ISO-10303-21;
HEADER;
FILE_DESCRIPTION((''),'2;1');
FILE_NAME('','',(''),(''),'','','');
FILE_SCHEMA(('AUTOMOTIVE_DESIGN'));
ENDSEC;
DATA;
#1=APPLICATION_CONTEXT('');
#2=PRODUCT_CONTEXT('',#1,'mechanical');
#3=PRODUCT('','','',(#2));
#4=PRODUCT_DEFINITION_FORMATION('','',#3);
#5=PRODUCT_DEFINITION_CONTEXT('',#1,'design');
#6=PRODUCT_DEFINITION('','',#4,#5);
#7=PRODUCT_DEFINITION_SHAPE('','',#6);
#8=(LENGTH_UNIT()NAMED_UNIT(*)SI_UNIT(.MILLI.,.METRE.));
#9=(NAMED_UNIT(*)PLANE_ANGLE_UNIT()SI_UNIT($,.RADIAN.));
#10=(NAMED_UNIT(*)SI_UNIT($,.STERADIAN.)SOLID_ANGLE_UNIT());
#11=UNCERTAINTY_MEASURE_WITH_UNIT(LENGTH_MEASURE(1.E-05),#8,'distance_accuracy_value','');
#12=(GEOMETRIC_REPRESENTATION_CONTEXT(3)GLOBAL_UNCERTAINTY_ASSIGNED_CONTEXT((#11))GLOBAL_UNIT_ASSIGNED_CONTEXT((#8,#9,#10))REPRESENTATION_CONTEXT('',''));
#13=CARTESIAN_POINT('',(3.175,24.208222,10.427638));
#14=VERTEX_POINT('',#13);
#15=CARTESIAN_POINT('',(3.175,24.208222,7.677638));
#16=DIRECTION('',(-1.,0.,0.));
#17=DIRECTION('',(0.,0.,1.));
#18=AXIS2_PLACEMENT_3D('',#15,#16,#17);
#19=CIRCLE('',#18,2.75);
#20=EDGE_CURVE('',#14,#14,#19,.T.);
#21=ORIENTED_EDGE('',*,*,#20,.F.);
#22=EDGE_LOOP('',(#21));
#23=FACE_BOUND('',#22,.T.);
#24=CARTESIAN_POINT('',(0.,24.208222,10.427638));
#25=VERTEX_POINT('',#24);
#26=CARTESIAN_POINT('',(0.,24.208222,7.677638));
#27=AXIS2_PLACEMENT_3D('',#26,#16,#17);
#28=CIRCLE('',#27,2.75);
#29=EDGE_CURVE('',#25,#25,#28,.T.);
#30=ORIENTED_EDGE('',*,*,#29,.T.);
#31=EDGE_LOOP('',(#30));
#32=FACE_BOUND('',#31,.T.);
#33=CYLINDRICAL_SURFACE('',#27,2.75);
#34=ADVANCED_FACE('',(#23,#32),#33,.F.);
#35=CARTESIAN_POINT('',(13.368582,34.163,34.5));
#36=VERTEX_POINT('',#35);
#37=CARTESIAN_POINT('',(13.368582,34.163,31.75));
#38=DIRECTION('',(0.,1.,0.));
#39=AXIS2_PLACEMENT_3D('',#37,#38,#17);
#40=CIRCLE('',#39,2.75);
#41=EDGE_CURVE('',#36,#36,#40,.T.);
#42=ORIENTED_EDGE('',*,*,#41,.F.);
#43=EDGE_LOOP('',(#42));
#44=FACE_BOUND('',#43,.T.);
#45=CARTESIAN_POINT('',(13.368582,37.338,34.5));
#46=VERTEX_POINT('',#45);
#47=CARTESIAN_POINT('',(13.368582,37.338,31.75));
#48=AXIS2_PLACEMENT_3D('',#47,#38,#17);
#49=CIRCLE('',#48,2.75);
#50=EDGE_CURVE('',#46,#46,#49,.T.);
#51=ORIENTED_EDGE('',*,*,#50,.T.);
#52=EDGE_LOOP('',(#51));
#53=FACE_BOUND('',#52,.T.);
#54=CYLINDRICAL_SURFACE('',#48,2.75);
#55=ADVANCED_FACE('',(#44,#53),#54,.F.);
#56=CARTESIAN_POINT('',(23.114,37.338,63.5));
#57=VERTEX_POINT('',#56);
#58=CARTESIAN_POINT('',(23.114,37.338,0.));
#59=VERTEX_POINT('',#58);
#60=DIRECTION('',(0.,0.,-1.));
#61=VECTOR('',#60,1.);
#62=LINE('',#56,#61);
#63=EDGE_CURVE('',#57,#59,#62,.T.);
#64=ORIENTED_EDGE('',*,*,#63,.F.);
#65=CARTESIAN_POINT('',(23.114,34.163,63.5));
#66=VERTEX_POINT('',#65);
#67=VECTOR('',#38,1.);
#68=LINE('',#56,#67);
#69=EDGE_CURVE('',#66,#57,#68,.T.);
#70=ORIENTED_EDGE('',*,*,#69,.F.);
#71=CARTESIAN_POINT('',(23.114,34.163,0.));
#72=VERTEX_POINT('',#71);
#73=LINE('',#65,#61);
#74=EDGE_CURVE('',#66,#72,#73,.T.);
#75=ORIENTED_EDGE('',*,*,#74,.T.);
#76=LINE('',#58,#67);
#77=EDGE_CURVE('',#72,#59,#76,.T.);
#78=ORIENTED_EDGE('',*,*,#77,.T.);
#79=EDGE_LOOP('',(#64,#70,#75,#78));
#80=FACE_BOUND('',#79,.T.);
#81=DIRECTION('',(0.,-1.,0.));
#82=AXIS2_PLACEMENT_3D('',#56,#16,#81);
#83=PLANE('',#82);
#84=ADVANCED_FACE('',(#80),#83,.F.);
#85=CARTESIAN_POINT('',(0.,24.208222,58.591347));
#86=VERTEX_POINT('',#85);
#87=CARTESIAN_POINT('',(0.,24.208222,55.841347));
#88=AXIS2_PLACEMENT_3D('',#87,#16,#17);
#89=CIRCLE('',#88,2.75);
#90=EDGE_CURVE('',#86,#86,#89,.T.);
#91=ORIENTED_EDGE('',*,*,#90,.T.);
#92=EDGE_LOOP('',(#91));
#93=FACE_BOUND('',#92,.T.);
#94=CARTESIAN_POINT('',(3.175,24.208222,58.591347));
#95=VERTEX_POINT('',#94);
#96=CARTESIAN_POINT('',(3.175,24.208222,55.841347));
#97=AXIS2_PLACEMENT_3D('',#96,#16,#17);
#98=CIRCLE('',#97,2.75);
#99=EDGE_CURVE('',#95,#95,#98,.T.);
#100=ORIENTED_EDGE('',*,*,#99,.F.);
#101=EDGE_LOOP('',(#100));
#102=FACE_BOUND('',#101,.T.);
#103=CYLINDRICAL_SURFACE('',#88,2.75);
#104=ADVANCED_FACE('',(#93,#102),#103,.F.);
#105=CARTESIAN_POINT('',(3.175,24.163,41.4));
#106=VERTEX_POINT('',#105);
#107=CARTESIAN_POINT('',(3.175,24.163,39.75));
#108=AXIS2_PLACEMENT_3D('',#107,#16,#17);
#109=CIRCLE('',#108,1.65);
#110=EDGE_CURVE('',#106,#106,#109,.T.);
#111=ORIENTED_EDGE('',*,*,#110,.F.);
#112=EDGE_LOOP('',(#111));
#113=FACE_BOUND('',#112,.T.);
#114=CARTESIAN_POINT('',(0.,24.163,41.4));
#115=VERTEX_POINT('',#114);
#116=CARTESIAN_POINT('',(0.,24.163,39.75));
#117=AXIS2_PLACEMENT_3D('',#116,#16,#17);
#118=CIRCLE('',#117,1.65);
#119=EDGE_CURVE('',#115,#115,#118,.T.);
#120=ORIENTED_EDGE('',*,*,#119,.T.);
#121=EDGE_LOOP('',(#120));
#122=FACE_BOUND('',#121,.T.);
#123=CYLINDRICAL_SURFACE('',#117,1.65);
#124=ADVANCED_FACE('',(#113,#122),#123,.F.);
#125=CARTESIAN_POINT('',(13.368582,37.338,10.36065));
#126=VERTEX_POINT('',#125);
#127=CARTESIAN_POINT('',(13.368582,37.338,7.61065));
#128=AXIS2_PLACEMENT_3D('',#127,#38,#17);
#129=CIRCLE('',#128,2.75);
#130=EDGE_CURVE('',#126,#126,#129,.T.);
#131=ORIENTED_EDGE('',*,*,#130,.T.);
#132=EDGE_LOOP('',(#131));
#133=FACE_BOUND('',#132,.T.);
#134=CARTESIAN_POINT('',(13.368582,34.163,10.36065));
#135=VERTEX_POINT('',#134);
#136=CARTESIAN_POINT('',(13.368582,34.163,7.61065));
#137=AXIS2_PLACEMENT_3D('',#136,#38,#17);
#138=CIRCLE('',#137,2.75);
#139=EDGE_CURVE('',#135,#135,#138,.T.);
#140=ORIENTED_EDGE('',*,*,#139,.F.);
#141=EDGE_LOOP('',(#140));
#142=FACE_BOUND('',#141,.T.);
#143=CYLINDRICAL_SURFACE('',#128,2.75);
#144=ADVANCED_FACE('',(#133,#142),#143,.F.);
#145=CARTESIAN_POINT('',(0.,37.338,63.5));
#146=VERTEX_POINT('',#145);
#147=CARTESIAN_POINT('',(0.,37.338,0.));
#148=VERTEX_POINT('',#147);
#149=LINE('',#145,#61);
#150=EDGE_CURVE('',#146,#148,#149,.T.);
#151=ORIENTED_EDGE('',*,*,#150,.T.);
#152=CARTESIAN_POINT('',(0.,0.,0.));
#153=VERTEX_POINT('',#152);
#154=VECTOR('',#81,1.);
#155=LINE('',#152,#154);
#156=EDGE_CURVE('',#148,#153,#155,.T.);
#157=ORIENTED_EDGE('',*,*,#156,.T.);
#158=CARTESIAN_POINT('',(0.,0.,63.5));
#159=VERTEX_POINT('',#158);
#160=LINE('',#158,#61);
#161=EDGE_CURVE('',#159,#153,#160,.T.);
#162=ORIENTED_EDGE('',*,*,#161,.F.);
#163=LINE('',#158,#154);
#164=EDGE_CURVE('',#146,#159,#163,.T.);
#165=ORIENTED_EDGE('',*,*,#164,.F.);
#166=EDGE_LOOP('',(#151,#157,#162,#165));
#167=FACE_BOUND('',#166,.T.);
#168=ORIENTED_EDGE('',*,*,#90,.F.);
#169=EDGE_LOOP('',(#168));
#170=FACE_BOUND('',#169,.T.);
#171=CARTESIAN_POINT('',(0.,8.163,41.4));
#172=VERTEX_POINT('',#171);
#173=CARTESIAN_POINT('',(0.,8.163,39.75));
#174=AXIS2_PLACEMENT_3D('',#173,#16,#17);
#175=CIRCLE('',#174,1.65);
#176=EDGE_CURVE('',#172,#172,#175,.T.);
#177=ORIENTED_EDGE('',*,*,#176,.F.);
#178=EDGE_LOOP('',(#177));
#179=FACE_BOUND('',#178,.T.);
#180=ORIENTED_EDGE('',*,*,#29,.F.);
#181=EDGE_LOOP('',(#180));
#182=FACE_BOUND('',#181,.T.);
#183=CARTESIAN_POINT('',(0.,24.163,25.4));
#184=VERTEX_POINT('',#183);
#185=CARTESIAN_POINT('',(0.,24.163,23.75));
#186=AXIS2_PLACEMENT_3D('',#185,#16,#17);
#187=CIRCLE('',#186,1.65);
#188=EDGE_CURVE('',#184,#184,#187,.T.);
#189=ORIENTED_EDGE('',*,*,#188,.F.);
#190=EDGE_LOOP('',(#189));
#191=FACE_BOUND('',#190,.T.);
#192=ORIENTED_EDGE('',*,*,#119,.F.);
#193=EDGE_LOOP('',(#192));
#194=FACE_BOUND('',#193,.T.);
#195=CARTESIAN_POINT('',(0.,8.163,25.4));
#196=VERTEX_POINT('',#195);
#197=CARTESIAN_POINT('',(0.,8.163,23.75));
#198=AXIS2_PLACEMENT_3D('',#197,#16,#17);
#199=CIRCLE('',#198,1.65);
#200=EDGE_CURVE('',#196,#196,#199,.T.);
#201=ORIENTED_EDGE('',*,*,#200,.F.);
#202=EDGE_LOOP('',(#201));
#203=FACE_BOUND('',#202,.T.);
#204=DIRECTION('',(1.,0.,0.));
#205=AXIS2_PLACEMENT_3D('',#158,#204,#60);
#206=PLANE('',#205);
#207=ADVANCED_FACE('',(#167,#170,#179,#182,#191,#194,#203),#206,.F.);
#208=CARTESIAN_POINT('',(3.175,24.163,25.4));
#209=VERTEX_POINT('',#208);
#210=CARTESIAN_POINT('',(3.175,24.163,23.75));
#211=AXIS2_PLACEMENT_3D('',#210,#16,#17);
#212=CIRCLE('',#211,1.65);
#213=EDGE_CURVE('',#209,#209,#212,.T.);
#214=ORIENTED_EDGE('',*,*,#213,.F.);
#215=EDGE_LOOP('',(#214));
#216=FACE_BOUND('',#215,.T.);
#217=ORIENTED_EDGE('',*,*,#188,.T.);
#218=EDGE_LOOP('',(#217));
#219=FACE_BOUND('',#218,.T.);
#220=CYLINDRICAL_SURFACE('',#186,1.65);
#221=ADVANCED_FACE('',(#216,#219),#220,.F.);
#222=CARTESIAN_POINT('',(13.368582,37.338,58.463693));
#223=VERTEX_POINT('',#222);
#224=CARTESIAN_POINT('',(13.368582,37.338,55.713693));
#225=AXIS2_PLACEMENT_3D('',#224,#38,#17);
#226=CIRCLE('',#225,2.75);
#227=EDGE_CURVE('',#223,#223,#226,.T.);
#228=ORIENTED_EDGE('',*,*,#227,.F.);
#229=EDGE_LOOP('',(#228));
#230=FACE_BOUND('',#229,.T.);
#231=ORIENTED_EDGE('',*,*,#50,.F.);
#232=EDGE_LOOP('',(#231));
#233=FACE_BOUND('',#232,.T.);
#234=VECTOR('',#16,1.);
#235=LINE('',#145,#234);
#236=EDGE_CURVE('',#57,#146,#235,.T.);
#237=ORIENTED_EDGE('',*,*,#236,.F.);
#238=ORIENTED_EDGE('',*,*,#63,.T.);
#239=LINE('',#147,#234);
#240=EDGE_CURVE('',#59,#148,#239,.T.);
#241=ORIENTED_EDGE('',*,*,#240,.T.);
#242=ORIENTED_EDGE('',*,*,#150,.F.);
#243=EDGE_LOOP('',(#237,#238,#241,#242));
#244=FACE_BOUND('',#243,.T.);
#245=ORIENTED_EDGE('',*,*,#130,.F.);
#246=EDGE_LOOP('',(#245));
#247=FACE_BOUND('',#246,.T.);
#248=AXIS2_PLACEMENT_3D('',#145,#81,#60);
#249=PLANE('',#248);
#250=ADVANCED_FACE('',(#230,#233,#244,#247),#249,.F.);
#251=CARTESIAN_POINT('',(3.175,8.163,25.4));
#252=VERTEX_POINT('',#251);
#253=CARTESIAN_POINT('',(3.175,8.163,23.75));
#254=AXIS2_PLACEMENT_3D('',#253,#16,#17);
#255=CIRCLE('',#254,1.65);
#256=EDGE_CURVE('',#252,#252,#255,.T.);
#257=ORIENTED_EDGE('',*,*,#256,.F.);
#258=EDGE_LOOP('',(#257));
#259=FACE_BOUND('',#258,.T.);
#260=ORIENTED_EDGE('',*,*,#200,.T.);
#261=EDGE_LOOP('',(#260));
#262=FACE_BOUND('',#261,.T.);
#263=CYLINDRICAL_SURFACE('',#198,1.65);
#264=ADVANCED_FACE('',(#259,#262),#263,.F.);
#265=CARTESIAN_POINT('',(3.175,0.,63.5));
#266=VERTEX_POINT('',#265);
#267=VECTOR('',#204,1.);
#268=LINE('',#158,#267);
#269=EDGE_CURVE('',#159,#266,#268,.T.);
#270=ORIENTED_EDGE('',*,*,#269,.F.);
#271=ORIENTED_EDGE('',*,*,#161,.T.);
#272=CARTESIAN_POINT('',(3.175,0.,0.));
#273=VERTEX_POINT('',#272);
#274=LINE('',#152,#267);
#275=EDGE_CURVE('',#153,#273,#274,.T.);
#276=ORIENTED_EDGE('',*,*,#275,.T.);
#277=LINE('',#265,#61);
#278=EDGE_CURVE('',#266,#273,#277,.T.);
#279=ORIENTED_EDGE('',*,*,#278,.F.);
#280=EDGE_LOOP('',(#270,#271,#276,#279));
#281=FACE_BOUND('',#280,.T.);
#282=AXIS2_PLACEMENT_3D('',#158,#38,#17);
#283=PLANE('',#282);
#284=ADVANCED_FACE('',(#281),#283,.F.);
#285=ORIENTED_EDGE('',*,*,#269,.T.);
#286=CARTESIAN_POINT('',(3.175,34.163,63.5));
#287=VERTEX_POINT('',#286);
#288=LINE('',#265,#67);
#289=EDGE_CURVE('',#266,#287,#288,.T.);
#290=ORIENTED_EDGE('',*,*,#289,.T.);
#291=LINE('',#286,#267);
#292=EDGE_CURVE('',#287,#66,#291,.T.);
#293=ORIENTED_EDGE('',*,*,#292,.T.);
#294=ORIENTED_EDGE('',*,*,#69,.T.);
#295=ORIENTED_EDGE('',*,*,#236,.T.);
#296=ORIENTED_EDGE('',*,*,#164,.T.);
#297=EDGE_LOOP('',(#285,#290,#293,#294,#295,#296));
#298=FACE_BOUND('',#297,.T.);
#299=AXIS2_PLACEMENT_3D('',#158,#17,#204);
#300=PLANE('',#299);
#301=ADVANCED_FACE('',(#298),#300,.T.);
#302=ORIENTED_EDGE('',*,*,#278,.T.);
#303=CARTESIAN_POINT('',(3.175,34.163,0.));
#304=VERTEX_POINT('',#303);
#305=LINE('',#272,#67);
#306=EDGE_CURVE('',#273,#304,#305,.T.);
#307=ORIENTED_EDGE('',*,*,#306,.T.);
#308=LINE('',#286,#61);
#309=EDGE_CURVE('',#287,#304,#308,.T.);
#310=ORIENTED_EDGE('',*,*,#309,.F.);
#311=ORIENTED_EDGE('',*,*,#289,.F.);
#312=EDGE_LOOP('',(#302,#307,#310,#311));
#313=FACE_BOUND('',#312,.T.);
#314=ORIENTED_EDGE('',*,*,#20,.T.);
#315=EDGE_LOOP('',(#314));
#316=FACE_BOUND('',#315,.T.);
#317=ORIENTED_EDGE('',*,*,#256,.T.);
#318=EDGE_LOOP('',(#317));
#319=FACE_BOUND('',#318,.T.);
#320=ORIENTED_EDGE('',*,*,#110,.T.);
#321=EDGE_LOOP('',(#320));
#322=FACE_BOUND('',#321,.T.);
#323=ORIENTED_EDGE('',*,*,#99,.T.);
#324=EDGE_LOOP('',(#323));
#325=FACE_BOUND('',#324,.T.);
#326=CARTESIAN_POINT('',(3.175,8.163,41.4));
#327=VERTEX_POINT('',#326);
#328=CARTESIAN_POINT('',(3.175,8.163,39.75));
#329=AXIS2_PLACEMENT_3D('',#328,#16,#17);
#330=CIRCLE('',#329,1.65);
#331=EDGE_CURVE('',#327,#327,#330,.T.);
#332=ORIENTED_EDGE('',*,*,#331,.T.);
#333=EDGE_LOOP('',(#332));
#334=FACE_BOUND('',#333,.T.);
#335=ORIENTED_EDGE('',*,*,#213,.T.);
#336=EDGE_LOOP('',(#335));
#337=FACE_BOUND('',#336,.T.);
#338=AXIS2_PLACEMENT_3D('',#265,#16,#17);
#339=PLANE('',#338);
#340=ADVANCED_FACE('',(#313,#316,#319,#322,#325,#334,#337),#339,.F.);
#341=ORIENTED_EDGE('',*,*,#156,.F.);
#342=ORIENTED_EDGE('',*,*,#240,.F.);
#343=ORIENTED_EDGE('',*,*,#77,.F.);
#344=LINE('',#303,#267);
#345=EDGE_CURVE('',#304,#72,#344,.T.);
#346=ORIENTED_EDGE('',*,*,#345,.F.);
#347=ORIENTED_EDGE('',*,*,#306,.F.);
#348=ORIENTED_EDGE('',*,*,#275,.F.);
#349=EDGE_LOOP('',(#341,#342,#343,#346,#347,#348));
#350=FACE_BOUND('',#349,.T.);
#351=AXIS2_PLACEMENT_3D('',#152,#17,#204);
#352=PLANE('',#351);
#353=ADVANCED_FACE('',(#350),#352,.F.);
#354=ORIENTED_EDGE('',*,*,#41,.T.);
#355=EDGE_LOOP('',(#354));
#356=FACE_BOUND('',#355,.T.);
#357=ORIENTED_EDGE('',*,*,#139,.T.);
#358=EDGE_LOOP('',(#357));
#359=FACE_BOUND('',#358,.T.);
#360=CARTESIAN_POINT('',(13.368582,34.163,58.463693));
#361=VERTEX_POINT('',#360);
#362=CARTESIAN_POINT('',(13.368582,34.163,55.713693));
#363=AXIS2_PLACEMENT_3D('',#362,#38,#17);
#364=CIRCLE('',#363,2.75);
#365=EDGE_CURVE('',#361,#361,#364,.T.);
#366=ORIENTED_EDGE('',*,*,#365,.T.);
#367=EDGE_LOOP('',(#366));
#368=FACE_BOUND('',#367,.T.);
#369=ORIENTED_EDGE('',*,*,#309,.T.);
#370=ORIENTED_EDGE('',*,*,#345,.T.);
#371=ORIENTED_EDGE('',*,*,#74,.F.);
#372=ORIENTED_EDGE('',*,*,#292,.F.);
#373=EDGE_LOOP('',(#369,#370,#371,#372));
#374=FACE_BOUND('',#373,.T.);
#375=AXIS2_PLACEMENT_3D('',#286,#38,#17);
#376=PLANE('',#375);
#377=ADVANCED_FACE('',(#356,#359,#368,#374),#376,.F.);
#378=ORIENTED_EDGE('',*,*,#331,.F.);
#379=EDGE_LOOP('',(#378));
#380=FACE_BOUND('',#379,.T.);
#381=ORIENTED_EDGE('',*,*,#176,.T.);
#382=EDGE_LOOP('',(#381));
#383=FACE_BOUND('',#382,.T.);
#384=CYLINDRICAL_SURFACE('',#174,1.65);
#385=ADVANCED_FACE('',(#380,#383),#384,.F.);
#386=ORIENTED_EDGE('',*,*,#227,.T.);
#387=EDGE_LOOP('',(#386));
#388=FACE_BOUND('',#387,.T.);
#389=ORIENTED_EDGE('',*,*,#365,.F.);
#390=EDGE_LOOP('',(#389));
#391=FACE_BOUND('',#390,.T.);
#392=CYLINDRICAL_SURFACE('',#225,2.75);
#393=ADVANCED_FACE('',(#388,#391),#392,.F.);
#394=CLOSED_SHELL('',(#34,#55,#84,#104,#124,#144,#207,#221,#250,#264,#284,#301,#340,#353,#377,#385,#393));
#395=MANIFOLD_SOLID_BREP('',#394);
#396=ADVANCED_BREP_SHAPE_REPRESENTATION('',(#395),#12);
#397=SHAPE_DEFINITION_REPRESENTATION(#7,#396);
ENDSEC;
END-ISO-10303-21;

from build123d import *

# Parameters (mm, degrees)
BOSS_EXTRUDE1_DEPTH         = 63.5
M5_CLEARANCE_HOLE1_D        = 5.5
M5_CLEARANCE_HOLE2_D        = 5.5
M5_CLEARANCE_HOLE3_D        = 5.5
M5_CLEARANCE_HOLE4_D        = 5.5
M5_CLEARANCE_HOLE5_D        = 5.5
TAP_DRILL_FOR_M4X0_7_TAP2_D = 3.3


with BuildPart() as part:
    # Sketch1 → Boss-Extrude1 (new body)
    with BuildSketch(Plane.XY):
        Polygon((0, 0), (0, 37.338), (23.114, 37.338), (23.114, 34.163), (3.175, 34.163), (3.175, 0), align=None)
    extrude(amount=BOSS_EXTRUDE1_DEPTH)

    # M5 Clearance Hole1 (through all)
    with Locations(Plane.ZY):
        with Locations((55.84134748, 24.208221519)):
            Hole(M5_CLEARANCE_HOLE1_D / 2)

    # M5 Clearance Hole2 (through all)
    with Locations(Plane.ZY):
        with Locations((7.677638483, 24.208221519)):
            Hole(M5_CLEARANCE_HOLE2_D / 2)

    # M5 Clearance Hole3 (through all)
    with Locations(Plane(origin=(0, 37.338, 0), x_dir=(1, 0, 0), z_dir=(0, 1, 0))):
        with Locations((13.368582087, -31.75)):
            Hole(M5_CLEARANCE_HOLE3_D / 2)

    # M5 Clearance Hole4 (through all)
    with Locations(Plane(origin=(0, 37.338, 0), x_dir=(1, 0, 0), z_dir=(0, 1, 0))):
        with Locations((13.368582087, -55.713693276)):
            Hole(M5_CLEARANCE_HOLE4_D / 2)

    # M5 Clearance Hole5 (through all)
    with Locations(Plane(origin=(0, 37.338, 0), x_dir=(1, 0, 0), z_dir=(0, 1, 0))):
        with Locations((13.368582087, -7.610649616)):
            Hole(M5_CLEARANCE_HOLE5_D / 2)

    # Tap Drill for M4x0.7 Tap2 (through all)
    with Locations(Plane.ZY):
        with Locations((23.75, 24.163), (23.75, 8.163), (39.75, 8.163), (39.75, 24.163)):
            Hole(TAP_DRILL_FOR_M4X0_7_TAP2_D / 2)


solid = part.part
